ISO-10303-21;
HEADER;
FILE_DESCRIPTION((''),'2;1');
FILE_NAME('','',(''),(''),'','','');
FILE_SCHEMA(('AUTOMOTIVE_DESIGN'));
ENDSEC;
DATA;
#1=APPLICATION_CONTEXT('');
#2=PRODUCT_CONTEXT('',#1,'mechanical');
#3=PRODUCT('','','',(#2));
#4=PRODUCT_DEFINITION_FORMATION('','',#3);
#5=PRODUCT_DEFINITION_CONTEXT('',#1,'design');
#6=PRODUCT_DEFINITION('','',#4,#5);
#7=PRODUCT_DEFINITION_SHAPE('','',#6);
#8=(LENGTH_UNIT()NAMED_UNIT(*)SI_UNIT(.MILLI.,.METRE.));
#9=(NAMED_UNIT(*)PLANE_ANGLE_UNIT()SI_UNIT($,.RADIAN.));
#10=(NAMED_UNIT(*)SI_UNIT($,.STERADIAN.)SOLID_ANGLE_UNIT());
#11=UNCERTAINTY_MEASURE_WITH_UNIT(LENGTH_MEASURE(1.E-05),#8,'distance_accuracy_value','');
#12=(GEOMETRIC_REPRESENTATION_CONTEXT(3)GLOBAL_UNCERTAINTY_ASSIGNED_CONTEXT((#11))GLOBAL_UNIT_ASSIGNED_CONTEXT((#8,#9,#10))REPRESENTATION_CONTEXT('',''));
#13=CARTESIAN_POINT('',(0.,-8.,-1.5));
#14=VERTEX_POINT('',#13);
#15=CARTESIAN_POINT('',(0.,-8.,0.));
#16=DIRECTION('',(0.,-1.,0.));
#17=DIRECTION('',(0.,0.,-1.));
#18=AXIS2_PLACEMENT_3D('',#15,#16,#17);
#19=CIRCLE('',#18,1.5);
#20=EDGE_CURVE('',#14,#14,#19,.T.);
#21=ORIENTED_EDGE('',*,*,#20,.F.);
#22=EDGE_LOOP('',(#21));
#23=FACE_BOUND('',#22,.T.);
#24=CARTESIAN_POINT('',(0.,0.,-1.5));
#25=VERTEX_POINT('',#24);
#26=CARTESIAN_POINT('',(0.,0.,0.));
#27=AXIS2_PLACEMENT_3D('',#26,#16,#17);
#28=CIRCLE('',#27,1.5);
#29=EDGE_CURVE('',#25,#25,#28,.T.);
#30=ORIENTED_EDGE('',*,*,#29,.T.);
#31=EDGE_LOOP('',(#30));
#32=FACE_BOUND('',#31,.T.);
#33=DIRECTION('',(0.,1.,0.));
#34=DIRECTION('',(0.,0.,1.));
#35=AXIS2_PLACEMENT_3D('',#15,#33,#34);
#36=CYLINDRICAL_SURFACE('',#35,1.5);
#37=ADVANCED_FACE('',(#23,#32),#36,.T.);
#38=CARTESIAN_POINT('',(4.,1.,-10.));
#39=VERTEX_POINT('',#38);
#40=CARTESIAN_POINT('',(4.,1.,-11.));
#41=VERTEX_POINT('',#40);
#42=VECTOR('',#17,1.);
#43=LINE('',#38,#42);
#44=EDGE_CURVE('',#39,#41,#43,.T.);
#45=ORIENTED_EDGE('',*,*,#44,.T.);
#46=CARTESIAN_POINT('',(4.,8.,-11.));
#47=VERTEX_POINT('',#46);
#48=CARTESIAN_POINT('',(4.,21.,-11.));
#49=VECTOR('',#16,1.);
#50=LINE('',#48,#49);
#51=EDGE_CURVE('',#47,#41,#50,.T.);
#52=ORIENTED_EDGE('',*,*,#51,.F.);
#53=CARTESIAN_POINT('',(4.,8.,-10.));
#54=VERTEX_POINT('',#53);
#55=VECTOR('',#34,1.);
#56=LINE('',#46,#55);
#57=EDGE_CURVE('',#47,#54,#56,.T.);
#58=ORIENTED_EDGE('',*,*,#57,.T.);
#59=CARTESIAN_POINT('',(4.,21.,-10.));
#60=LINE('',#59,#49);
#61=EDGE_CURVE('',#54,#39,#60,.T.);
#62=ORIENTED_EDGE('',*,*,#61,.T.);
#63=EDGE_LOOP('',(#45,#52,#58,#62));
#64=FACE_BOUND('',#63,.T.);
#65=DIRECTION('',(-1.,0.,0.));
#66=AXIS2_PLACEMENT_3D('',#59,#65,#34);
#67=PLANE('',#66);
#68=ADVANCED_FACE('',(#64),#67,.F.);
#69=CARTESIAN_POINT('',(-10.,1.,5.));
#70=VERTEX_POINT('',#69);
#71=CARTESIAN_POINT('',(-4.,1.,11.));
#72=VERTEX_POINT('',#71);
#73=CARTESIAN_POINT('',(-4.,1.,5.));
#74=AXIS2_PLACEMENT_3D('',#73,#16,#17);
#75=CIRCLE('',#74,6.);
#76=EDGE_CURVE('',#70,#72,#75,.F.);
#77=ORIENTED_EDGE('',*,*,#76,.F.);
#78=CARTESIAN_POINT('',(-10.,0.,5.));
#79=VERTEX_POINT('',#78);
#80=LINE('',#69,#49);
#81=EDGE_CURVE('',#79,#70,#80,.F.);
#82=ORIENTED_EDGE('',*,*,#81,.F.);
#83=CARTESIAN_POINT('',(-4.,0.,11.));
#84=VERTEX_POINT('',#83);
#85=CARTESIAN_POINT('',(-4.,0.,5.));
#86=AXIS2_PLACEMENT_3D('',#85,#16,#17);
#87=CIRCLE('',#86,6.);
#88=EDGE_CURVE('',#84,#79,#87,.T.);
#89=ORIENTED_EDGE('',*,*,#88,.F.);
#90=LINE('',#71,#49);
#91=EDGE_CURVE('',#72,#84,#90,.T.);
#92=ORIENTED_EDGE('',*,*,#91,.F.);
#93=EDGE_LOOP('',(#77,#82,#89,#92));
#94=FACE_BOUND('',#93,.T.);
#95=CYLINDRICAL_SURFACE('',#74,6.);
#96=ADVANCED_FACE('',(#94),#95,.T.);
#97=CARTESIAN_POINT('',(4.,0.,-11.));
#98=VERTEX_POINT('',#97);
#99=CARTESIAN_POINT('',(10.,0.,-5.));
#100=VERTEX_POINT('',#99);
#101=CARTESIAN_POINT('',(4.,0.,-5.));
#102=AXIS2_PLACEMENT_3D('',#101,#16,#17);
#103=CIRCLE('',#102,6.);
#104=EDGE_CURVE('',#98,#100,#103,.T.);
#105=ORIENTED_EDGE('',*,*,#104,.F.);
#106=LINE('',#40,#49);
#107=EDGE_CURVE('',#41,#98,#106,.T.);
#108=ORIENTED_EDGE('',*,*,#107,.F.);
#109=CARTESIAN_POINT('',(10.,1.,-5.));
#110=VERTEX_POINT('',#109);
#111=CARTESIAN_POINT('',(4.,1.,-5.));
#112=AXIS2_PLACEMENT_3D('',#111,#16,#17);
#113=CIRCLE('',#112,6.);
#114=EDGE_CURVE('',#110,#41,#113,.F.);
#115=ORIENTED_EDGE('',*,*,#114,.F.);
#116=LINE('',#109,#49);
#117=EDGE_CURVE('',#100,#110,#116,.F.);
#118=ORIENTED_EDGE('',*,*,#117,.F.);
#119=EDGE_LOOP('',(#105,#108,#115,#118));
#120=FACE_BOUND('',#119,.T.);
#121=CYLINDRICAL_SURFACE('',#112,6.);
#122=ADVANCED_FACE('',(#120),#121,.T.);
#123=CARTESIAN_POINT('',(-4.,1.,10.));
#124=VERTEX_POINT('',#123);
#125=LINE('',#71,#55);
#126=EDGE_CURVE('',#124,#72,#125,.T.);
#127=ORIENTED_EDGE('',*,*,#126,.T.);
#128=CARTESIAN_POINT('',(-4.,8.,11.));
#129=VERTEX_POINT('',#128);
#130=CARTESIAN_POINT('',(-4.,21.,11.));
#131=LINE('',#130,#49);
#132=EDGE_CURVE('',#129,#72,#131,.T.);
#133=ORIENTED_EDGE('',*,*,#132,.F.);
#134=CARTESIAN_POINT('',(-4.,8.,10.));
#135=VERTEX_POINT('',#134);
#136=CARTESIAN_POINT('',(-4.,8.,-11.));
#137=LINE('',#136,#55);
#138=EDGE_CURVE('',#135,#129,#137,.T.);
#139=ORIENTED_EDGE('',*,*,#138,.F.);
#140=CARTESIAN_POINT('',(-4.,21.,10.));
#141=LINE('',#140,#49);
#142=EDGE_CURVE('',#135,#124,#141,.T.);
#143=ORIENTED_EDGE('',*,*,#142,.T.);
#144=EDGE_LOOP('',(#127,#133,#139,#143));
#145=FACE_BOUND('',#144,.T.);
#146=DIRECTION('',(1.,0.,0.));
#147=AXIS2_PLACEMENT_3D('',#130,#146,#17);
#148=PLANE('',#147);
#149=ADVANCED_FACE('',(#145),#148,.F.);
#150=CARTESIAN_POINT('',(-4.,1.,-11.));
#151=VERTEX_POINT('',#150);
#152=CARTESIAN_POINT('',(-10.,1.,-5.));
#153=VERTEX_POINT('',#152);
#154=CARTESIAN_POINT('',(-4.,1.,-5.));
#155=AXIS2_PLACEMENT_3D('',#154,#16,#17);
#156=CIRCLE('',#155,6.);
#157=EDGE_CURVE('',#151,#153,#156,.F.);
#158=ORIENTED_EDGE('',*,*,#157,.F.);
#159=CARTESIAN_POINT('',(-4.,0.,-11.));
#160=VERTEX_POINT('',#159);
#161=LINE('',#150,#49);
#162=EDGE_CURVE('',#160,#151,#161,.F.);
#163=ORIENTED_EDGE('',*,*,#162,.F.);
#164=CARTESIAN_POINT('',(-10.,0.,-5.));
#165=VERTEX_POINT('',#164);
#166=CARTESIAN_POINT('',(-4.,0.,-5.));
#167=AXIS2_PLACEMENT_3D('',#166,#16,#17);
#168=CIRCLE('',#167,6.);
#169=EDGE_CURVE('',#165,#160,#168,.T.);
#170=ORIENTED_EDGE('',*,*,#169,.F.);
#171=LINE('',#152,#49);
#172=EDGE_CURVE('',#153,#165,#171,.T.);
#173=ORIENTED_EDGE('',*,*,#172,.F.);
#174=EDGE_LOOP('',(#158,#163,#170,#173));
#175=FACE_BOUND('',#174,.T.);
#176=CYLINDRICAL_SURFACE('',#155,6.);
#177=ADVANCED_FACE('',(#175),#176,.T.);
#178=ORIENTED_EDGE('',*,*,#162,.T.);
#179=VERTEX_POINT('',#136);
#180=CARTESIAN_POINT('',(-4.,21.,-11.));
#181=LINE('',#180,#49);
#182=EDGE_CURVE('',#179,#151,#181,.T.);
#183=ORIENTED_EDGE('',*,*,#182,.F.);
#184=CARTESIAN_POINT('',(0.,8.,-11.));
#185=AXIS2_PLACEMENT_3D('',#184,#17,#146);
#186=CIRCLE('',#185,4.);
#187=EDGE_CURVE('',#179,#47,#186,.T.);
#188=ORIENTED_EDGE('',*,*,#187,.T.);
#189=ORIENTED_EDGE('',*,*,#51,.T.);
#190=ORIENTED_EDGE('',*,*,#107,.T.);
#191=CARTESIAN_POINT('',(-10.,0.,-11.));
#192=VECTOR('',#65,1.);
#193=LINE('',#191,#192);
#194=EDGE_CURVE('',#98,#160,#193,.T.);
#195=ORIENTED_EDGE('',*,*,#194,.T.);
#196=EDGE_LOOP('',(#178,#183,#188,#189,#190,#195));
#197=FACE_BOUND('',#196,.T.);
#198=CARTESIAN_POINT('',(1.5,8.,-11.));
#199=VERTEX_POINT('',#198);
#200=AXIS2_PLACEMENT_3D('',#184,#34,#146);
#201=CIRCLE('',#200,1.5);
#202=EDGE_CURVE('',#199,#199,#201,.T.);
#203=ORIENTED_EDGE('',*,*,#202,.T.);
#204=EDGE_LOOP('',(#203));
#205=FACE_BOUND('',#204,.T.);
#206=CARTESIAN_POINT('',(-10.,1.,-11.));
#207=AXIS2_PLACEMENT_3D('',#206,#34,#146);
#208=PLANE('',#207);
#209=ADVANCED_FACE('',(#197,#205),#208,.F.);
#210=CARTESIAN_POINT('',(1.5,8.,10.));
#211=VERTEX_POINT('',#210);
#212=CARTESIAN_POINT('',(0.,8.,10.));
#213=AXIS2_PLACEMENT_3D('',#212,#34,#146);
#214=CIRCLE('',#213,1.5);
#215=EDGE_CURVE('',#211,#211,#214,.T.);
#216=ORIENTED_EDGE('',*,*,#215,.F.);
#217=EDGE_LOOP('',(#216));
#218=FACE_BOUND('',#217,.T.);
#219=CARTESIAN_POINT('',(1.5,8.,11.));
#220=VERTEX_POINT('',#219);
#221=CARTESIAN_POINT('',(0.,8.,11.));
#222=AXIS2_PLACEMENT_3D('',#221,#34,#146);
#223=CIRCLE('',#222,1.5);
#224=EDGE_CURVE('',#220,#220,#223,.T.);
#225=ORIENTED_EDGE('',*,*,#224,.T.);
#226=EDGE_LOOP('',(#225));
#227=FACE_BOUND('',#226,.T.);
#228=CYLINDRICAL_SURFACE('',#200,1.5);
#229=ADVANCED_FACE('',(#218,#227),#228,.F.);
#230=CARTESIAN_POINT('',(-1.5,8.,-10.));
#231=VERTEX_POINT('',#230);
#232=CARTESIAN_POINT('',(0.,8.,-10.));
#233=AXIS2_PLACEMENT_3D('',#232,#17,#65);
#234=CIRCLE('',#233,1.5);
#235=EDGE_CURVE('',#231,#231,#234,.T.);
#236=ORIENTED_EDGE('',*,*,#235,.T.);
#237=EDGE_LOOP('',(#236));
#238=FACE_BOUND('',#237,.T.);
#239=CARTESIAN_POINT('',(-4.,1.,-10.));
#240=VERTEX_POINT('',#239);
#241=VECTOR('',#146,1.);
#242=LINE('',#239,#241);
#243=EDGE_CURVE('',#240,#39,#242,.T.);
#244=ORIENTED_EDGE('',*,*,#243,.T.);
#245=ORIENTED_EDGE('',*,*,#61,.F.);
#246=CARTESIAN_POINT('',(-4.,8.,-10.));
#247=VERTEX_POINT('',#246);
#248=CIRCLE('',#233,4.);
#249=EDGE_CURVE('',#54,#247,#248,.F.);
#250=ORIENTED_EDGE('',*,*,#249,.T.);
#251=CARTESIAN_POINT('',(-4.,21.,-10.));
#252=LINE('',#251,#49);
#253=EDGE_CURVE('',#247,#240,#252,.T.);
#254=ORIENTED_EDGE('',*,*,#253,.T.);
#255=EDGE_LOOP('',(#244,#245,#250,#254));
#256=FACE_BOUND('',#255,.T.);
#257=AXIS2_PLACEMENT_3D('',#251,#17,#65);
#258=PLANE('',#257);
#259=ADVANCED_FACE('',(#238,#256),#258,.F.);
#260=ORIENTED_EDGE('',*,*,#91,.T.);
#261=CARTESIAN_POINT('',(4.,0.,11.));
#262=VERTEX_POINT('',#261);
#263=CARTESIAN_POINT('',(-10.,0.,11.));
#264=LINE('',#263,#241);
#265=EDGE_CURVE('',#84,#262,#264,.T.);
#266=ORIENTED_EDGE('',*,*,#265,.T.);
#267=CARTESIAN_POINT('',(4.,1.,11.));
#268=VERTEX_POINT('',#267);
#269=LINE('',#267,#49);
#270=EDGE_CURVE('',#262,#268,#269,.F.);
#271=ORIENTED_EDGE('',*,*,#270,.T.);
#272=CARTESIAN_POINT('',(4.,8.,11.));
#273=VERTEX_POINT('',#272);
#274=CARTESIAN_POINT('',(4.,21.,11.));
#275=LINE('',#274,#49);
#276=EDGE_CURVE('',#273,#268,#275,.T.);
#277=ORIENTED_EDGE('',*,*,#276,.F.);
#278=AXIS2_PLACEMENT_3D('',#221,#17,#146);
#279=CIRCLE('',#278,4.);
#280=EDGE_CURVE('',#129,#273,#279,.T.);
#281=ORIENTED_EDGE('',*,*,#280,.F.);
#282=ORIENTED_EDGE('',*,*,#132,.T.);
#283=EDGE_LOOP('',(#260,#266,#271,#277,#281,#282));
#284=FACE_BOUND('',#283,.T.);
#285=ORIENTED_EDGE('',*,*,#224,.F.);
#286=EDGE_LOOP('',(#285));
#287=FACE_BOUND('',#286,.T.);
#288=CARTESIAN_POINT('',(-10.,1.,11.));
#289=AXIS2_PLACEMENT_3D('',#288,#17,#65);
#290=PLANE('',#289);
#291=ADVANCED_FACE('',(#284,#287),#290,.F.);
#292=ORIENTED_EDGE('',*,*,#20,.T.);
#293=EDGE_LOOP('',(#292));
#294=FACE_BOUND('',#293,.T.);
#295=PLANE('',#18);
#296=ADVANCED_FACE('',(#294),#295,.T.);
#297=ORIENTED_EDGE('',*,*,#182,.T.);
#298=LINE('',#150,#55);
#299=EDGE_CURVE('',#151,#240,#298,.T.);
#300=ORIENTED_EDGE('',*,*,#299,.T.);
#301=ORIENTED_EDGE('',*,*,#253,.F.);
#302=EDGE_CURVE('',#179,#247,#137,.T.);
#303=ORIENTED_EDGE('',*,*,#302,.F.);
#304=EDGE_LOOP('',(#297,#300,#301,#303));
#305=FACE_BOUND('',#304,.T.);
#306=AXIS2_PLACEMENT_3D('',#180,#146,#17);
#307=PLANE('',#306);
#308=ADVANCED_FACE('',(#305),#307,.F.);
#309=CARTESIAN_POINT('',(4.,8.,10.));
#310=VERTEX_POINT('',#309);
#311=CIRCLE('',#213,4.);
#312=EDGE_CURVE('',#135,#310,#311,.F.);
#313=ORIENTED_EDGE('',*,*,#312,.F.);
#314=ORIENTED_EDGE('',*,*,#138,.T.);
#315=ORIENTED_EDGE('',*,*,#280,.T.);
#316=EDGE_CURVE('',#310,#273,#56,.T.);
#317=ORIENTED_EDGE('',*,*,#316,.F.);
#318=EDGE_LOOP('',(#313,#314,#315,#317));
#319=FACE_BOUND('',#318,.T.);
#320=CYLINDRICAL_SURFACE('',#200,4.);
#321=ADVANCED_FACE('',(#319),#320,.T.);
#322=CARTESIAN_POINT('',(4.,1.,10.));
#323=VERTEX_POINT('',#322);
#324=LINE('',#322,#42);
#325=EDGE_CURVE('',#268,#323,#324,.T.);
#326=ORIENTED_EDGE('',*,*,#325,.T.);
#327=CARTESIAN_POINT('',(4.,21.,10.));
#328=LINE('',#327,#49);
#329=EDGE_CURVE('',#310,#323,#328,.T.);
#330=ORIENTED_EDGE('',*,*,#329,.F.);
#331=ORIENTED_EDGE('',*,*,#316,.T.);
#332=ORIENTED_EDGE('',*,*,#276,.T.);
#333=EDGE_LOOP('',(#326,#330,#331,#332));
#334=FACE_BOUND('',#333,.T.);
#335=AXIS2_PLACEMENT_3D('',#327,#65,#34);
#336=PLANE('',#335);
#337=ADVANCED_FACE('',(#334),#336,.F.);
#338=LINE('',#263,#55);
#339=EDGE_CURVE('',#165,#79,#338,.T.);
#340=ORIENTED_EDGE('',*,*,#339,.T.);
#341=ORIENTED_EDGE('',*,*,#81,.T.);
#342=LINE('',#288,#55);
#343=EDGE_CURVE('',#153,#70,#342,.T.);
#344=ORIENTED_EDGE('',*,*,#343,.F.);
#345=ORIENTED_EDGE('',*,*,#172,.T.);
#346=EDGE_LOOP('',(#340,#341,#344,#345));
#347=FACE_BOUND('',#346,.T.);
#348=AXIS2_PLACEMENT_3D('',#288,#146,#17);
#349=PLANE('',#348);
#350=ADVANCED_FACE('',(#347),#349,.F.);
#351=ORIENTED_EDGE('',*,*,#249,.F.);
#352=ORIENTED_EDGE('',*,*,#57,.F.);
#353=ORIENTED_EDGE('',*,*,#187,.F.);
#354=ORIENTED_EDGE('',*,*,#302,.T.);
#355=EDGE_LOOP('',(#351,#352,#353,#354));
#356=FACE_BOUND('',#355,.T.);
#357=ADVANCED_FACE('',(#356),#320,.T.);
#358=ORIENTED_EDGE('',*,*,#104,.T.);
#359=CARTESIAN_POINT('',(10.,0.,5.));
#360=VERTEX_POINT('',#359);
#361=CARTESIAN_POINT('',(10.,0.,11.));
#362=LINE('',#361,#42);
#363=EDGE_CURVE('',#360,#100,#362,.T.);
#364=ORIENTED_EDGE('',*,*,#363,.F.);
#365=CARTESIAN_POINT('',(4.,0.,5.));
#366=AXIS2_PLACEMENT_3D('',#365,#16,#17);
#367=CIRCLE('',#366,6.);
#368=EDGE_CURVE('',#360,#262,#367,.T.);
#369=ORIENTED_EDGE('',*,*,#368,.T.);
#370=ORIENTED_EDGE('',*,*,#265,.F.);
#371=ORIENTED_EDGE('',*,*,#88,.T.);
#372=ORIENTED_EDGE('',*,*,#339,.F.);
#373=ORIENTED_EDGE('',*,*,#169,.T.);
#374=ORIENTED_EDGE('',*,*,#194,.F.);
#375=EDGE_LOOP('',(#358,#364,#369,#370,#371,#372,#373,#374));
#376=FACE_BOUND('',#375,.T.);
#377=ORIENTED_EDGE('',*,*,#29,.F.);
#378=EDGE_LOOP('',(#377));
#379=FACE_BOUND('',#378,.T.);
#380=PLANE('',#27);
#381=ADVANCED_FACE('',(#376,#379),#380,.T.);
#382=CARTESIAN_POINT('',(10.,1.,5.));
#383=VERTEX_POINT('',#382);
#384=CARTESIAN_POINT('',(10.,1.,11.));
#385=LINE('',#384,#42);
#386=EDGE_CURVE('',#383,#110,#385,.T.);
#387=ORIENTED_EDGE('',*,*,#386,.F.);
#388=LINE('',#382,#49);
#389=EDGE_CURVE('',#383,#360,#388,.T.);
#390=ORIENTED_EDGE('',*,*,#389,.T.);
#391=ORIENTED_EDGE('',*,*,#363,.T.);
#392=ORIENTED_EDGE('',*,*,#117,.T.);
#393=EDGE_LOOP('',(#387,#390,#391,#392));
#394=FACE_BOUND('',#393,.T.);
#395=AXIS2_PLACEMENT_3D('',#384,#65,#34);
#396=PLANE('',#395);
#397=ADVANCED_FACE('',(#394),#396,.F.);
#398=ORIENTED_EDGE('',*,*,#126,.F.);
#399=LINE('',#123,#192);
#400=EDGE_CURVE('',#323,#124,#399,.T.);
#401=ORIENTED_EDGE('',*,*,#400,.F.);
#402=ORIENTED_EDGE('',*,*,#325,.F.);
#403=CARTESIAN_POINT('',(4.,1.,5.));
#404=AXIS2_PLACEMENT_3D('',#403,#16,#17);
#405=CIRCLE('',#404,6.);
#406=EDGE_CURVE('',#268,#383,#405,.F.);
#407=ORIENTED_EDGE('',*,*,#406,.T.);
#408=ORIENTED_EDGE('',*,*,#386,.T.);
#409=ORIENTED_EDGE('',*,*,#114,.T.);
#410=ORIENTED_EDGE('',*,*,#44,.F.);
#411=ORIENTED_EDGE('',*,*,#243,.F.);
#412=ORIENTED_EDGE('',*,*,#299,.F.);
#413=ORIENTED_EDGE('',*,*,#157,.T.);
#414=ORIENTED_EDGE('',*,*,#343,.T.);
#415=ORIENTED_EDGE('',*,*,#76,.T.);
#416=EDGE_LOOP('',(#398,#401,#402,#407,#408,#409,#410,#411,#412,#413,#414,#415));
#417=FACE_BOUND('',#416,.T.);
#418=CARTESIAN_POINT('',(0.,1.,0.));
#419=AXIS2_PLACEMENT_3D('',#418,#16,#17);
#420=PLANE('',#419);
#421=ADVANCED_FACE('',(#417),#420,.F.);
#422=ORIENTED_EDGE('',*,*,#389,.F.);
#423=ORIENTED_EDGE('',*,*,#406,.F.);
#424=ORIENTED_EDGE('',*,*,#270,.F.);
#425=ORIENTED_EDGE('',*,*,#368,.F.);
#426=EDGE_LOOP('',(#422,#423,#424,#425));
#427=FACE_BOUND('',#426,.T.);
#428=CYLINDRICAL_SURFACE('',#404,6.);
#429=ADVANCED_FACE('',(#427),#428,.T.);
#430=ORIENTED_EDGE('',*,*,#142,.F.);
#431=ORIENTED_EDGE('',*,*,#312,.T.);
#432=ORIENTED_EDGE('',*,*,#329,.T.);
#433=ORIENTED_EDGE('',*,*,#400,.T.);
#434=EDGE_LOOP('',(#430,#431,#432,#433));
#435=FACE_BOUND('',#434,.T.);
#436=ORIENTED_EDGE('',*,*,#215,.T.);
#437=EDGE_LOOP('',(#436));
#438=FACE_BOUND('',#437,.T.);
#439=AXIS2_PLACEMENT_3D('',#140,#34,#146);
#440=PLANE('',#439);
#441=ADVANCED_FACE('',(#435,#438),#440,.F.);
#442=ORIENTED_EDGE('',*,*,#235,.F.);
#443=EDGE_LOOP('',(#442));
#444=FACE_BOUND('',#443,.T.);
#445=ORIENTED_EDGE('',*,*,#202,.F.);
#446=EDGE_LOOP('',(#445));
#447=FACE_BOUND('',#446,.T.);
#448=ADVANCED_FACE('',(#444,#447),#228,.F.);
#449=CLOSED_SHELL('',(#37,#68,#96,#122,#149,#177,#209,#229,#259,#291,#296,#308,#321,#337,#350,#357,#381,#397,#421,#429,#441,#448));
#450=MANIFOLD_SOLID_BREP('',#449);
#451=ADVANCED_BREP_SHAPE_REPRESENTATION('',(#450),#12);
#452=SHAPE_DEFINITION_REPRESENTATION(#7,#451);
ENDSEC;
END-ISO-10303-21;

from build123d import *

# Parameters (mm, degrees)
CROQUIS1_W              = 20
CROQUIS1_H              = 22
SALIENTE_EXTRUIR1_DEPTH = 1
CROQUIS2_W              = 8
CROQUIS2_H              = 1
SALIENTE_EXTRUIR2_DEPTH = 20
CROQUIS3_R              = 1.5
CORTAR_EXTRUIR1_DEPTH   = 33.015621187
CROQUIS4_R              = 1.5
SALIENTE_EXTRUIR3_DEPTH = 8
REDONDEO1_R             = 6


with BuildPart() as part:
    # Croquis1 → Saliente-Extruir1 (new body)
    with BuildSketch(Plane(origin=(0, 0, 0), x_dir=(1, 0, 0), z_dir=(0, 1, 0))):
        Rectangle(CROQUIS1_W, CROQUIS1_H)
    extrude(amount=SALIENTE_EXTRUIR1_DEPTH)

    # Croquis2 → Saliente-Extruir2 (add)
    with BuildSketch(Plane(origin=(0, 1, 0), x_dir=(1, 0, 0), z_dir=(0, 1, 0))):
        with Locations((0, -10.5)):
            Rectangle(CROQUIS2_W, CROQUIS2_H)
        with Locations((0, 10.5)):
            Rectangle(CROQUIS2_W, CROQUIS2_H)
    extrude(amount=SALIENTE_EXTRUIR2_DEPTH)

    # Croquis3 → Cortar-Extruir1 (cut, through all)
    with BuildSketch(Plane.XY.offset(11)):
        with Locations((0, 8)):
            Circle(CROQUIS3_R)
        with BuildLine():
            Line((-4, 8), (-13.08141652, 8))
            Line((-13.08141652, 8), (-13.08141652, 28.561512487))
            Line((-13.08141652, 28.561512487), (15.549721507, 28.561512487))
            Line((15.549721507, 28.561512487), (15.549721507, 8))
            Line((15.549721507, 8), (4, 8))
            ThreePointArc((4, 8), (0, 12), (-4, 8))
        make_face()
    extrude(amount=-CORTAR_EXTRUIR1_DEPTH, mode=Mode.SUBTRACT)

    # Croquis4 → Saliente-Extruir3 (add)
    with BuildSketch(Plane.XZ):
        with Locations(Location((0, 0, 0), (0, 0, 270))):
            Circle(CROQUIS4_R)
    extrude(amount=SALIENTE_EXTRUIR3_DEPTH)

    # Redondeo1
    redondeo1_edges = [part.edges().sort_by_distance(p)[0] for p in [
        (-10, 0.5, -11),
        (-10, 0.5, 11),
        (10, 0.5, -11),
        (10, 0.5, 11),
    ]]
    fillet(redondeo1_edges, radius=REDONDEO1_R)


solid = part.part
